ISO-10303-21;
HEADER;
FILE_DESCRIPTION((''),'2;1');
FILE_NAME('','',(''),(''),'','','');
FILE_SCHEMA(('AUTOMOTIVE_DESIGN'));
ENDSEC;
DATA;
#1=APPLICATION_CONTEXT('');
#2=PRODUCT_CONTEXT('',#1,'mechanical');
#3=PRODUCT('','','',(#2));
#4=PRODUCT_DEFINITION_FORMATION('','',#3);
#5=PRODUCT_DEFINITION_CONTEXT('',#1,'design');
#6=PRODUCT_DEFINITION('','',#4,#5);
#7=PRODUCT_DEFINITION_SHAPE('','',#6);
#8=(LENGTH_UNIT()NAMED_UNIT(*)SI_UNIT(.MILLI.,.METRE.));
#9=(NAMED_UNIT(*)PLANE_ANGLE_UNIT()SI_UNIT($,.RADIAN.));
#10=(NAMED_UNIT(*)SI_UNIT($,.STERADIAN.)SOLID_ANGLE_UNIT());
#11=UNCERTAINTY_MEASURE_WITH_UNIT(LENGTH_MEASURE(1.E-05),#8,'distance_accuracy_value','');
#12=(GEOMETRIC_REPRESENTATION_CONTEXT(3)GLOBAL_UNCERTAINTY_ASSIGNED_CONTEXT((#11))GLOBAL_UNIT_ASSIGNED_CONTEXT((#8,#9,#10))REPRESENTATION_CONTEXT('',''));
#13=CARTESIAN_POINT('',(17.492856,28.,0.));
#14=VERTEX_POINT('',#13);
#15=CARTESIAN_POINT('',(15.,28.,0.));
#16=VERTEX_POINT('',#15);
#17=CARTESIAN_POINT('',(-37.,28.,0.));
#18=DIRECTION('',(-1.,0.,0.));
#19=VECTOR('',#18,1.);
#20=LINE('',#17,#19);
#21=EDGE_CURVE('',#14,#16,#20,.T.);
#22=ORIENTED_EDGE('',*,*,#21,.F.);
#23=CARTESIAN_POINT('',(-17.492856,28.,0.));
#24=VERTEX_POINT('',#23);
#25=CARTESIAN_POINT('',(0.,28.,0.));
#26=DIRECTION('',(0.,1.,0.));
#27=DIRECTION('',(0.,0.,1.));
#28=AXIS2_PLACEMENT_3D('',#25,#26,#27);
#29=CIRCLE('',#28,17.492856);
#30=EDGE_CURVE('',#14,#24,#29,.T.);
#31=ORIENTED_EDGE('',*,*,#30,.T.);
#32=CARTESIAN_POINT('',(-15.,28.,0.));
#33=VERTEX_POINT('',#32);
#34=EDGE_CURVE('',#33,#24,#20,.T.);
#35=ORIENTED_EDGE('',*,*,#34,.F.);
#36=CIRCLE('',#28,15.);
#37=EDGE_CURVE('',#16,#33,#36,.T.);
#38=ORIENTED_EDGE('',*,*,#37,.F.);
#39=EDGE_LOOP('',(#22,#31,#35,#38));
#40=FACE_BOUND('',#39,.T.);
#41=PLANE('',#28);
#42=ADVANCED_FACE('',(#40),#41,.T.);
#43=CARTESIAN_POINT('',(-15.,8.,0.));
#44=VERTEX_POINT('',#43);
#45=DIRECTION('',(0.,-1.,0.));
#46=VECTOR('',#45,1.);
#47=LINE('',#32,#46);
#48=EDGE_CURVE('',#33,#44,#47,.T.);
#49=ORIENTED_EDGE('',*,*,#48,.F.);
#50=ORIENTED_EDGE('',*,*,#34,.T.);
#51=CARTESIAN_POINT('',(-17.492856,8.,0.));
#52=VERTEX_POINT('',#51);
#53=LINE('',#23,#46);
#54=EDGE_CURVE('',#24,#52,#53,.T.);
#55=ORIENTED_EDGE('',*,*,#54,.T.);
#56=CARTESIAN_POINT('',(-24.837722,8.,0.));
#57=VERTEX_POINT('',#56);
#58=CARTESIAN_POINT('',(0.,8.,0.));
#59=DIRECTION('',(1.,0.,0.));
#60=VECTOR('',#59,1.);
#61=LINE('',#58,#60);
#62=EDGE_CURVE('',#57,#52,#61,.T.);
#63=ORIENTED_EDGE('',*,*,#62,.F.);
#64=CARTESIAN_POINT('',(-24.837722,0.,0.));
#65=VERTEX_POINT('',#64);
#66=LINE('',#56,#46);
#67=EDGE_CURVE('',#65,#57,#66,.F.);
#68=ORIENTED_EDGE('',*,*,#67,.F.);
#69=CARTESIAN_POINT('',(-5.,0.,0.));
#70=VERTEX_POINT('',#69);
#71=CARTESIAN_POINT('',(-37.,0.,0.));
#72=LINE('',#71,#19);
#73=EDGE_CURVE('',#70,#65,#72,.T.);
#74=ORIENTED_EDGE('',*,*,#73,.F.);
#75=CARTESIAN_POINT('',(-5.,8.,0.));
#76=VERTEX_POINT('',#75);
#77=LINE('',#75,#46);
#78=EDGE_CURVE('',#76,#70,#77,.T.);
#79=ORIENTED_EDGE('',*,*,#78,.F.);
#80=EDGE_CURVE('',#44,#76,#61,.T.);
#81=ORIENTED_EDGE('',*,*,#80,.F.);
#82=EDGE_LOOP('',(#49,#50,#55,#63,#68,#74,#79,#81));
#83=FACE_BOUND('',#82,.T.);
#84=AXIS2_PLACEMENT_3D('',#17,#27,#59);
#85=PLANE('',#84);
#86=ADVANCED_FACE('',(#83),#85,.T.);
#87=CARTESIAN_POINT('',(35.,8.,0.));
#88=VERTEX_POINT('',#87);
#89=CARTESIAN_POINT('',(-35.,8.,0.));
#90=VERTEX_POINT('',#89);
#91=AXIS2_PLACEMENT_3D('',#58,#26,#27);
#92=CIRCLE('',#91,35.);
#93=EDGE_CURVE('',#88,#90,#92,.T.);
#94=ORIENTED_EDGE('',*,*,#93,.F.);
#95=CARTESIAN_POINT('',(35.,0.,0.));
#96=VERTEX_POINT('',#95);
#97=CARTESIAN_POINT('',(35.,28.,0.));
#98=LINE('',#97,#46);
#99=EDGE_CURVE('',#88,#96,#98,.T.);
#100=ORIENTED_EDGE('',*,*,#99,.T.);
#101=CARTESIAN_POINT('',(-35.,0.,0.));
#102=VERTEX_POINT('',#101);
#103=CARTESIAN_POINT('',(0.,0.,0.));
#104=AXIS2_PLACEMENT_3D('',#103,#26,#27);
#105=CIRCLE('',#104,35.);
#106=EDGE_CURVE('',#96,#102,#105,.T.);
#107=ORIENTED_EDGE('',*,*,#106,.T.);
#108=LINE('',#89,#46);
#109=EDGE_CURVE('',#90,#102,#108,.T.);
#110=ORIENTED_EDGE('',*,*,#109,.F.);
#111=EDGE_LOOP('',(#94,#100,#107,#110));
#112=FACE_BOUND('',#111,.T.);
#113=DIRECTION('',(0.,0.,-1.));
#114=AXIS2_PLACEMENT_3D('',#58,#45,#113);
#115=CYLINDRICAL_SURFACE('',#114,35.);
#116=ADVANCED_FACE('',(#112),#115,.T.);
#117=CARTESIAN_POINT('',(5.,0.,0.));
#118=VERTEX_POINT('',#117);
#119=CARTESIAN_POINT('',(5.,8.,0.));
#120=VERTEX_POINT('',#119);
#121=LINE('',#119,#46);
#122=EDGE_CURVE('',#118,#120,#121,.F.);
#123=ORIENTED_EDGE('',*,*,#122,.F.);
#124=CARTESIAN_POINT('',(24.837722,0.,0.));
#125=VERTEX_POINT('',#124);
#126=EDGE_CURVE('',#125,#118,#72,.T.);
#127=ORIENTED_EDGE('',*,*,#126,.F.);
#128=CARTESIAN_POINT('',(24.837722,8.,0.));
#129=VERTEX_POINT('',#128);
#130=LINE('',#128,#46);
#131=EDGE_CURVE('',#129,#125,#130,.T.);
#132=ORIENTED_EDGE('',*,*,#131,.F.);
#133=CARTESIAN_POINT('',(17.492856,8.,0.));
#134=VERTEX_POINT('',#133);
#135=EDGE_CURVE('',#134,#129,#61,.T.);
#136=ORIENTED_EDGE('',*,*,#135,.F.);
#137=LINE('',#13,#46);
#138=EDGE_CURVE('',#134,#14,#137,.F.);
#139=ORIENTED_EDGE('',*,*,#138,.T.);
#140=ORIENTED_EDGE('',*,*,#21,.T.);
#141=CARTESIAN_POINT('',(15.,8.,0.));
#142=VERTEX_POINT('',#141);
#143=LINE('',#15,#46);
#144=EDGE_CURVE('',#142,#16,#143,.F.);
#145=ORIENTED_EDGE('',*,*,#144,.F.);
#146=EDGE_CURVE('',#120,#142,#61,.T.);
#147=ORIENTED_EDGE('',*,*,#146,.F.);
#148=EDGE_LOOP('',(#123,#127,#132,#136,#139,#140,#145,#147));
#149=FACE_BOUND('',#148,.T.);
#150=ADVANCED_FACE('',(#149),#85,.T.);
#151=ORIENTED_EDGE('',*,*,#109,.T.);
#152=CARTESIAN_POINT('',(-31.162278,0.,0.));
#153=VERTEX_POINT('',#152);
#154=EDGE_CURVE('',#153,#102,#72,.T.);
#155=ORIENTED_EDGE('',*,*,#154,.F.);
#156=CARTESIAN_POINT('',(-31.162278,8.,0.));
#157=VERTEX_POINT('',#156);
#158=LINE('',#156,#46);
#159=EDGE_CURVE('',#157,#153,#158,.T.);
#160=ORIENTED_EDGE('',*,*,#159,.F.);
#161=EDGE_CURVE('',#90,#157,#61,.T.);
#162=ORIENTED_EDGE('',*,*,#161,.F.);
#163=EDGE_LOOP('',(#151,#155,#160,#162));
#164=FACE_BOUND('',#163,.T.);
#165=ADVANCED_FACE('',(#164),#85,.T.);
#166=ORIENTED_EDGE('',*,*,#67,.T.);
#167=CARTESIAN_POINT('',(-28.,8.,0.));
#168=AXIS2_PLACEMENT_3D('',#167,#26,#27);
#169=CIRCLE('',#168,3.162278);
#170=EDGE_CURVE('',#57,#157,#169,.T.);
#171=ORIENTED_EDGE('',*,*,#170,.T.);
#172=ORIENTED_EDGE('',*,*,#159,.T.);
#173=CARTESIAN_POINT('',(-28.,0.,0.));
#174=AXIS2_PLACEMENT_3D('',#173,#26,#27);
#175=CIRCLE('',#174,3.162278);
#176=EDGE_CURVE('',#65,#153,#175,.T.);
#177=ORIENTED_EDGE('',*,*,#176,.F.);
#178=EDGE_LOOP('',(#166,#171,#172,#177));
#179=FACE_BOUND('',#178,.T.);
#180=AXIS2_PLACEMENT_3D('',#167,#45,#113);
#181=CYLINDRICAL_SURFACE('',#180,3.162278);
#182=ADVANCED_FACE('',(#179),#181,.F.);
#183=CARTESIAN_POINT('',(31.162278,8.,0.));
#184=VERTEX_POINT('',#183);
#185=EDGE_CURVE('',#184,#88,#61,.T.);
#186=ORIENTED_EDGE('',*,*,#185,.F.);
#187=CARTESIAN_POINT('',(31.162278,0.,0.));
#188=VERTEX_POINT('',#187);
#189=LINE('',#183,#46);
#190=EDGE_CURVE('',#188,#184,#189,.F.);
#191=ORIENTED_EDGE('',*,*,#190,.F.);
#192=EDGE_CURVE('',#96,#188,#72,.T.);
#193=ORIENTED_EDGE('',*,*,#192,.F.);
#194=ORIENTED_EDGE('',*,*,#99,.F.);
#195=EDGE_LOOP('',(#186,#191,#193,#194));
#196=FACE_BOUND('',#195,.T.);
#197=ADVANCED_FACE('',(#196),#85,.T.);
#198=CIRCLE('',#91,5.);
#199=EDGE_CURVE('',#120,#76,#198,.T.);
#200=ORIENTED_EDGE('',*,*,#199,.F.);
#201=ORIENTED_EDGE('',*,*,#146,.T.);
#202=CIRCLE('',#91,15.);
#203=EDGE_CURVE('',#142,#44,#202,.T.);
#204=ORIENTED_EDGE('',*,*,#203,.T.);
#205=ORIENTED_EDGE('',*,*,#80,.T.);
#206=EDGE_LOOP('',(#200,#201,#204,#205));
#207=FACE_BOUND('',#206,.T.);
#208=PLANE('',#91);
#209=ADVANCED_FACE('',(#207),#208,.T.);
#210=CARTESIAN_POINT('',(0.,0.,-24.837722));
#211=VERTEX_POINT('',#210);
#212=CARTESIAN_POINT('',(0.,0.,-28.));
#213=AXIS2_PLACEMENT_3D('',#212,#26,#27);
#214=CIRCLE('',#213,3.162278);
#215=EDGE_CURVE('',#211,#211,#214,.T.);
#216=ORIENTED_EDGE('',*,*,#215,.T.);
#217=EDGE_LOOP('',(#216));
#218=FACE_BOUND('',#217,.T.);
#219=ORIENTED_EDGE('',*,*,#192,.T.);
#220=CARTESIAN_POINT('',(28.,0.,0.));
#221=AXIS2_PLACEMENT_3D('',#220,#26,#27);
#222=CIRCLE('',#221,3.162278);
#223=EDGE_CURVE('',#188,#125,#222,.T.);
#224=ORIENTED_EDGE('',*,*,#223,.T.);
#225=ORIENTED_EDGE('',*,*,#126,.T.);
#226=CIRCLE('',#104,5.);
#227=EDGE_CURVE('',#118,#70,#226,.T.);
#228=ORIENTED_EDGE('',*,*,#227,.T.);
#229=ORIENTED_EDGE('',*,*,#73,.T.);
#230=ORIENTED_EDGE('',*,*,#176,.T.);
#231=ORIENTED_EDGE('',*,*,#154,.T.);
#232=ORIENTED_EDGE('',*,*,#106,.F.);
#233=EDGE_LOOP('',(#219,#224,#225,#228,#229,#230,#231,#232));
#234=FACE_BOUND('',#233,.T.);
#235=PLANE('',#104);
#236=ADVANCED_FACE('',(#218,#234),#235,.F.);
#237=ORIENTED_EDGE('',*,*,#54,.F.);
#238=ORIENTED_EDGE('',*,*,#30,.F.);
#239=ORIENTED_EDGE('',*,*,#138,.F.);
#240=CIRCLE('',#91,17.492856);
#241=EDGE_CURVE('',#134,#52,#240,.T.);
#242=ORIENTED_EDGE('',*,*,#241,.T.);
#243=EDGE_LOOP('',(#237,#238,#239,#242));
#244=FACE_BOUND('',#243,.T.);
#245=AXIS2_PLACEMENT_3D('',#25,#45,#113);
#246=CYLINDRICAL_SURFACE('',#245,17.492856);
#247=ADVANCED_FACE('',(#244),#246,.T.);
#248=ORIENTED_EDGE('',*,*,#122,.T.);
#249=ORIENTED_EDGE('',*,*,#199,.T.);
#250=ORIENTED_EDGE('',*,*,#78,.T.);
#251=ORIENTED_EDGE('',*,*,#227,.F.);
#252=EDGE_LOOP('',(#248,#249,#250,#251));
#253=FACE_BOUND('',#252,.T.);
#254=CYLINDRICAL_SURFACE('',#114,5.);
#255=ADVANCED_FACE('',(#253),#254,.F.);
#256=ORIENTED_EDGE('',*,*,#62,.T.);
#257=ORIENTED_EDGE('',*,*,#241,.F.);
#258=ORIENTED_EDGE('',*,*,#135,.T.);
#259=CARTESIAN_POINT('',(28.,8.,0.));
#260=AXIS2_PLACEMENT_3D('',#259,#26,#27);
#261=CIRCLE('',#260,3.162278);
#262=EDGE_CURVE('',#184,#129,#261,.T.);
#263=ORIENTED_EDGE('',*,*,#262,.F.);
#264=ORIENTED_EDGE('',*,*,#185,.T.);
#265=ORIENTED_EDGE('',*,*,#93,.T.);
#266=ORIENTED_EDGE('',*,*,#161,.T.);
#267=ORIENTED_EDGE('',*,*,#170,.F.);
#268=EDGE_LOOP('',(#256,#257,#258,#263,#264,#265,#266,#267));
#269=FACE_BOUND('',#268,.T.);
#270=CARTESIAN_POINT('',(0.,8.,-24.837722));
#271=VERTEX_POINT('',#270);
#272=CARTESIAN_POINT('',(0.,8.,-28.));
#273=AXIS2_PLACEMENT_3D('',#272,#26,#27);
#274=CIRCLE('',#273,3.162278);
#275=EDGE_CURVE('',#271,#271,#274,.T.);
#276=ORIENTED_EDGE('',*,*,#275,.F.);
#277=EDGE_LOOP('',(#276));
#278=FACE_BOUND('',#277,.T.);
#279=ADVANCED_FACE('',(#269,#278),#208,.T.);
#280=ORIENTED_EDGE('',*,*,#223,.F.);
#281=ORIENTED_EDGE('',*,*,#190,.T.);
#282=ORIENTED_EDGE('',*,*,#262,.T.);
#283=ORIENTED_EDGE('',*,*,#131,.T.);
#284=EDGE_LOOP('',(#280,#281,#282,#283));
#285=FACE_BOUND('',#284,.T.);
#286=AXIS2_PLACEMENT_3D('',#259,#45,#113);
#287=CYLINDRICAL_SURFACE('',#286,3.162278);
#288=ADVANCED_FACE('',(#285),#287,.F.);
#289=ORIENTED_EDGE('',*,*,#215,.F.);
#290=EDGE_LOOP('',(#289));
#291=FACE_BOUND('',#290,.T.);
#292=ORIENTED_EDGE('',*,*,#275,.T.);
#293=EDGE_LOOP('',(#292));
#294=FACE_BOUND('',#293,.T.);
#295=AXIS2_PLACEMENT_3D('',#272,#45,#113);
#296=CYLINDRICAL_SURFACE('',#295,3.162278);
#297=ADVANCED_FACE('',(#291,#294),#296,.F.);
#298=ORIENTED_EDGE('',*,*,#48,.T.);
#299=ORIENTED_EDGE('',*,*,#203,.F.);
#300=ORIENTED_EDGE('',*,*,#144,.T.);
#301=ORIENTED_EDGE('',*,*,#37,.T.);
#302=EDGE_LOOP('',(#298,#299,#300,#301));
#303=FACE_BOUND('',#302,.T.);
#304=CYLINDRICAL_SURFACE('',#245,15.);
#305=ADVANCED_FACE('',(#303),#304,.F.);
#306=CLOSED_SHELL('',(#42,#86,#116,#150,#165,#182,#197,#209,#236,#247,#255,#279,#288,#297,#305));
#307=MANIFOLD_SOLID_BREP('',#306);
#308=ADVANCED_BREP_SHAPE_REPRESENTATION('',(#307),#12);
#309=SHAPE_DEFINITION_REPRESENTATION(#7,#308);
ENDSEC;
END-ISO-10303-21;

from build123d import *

# Parameters (mm, degrees)
ESQUISSE2_R             = 35
ESQUISSE2_R_2           = 5
ESQUISSE2_R_3           = 3.16227766
BASE_EXTRUSION_DEPTH    = 8
ESQUISSE3_R             = 17.492855685
ESQUISSE3_R_2           = 15
BOSS_EXTRU_1_DEPTH      = 20
ESQUISSE4_W             = 72
ESQUISSE4_H             = 33
ENL_V_MAT_EXTRU_2_DEPTH = 57.868268832


with BuildPart() as part:
    # Esquisse2 → Base-Extrusion (new body)
    with BuildSketch(Plane(origin=(0, 0, 0), x_dir=(1, 0, 0), z_dir=(0, 1, 0))):
        Circle(ESQUISSE2_R)
        Circle(ESQUISSE2_R_2, mode=Mode.SUBTRACT)
        with Locations((-28, 0)):
            Circle(ESQUISSE2_R_3, mode=Mode.SUBTRACT)
        with Locations(Location((0, 28, 0), (0, 0, 270))):
            Circle(ESQUISSE2_R_3, mode=Mode.SUBTRACT)
        with Locations((0, -28)):
            Circle(ESQUISSE2_R_3, mode=Mode.SUBTRACT)
        with Locations((28, 0)):
            Circle(ESQUISSE2_R_3, mode=Mode.SUBTRACT)
    extrude(amount=BASE_EXTRUSION_DEPTH)

    # Esquisse3 → Boss.-Extru.1 (add)
    with BuildSketch(Plane(origin=(0, 8, 0), x_dir=(-1, 0, 0), z_dir=(0, 1, 0))):
        Circle(ESQUISSE3_R)
        Circle(ESQUISSE3_R_2, mode=Mode.SUBTRACT)
    extrude(amount=BOSS_EXTRU_1_DEPTH)

    # Esquisse4 → Enlèv. mat.-Extru.2 (cut, through all)
    with BuildSketch(Plane(origin=(0, 0, 0), x_dir=(1, 0, 0), z_dir=(0, 1, 0))):
        with Locations((-1, -16.5)):
            Rectangle(ESQUISSE4_W, ESQUISSE4_H)
    extrude(amount=ENL_V_MAT_EXTRU_2_DEPTH, mode=Mode.SUBTRACT)


with BuildPart() as enl_v_mat_extru_2_kept_piece:
    # of the separate pieces the step leaves, the one the design keeps (enl_v_mat_extru_2_pieces_kept)
    add(part.part.solids().sort_by_distance((35, 0, 0))[0])


solid = enl_v_mat_extru_2_kept_piece.part
